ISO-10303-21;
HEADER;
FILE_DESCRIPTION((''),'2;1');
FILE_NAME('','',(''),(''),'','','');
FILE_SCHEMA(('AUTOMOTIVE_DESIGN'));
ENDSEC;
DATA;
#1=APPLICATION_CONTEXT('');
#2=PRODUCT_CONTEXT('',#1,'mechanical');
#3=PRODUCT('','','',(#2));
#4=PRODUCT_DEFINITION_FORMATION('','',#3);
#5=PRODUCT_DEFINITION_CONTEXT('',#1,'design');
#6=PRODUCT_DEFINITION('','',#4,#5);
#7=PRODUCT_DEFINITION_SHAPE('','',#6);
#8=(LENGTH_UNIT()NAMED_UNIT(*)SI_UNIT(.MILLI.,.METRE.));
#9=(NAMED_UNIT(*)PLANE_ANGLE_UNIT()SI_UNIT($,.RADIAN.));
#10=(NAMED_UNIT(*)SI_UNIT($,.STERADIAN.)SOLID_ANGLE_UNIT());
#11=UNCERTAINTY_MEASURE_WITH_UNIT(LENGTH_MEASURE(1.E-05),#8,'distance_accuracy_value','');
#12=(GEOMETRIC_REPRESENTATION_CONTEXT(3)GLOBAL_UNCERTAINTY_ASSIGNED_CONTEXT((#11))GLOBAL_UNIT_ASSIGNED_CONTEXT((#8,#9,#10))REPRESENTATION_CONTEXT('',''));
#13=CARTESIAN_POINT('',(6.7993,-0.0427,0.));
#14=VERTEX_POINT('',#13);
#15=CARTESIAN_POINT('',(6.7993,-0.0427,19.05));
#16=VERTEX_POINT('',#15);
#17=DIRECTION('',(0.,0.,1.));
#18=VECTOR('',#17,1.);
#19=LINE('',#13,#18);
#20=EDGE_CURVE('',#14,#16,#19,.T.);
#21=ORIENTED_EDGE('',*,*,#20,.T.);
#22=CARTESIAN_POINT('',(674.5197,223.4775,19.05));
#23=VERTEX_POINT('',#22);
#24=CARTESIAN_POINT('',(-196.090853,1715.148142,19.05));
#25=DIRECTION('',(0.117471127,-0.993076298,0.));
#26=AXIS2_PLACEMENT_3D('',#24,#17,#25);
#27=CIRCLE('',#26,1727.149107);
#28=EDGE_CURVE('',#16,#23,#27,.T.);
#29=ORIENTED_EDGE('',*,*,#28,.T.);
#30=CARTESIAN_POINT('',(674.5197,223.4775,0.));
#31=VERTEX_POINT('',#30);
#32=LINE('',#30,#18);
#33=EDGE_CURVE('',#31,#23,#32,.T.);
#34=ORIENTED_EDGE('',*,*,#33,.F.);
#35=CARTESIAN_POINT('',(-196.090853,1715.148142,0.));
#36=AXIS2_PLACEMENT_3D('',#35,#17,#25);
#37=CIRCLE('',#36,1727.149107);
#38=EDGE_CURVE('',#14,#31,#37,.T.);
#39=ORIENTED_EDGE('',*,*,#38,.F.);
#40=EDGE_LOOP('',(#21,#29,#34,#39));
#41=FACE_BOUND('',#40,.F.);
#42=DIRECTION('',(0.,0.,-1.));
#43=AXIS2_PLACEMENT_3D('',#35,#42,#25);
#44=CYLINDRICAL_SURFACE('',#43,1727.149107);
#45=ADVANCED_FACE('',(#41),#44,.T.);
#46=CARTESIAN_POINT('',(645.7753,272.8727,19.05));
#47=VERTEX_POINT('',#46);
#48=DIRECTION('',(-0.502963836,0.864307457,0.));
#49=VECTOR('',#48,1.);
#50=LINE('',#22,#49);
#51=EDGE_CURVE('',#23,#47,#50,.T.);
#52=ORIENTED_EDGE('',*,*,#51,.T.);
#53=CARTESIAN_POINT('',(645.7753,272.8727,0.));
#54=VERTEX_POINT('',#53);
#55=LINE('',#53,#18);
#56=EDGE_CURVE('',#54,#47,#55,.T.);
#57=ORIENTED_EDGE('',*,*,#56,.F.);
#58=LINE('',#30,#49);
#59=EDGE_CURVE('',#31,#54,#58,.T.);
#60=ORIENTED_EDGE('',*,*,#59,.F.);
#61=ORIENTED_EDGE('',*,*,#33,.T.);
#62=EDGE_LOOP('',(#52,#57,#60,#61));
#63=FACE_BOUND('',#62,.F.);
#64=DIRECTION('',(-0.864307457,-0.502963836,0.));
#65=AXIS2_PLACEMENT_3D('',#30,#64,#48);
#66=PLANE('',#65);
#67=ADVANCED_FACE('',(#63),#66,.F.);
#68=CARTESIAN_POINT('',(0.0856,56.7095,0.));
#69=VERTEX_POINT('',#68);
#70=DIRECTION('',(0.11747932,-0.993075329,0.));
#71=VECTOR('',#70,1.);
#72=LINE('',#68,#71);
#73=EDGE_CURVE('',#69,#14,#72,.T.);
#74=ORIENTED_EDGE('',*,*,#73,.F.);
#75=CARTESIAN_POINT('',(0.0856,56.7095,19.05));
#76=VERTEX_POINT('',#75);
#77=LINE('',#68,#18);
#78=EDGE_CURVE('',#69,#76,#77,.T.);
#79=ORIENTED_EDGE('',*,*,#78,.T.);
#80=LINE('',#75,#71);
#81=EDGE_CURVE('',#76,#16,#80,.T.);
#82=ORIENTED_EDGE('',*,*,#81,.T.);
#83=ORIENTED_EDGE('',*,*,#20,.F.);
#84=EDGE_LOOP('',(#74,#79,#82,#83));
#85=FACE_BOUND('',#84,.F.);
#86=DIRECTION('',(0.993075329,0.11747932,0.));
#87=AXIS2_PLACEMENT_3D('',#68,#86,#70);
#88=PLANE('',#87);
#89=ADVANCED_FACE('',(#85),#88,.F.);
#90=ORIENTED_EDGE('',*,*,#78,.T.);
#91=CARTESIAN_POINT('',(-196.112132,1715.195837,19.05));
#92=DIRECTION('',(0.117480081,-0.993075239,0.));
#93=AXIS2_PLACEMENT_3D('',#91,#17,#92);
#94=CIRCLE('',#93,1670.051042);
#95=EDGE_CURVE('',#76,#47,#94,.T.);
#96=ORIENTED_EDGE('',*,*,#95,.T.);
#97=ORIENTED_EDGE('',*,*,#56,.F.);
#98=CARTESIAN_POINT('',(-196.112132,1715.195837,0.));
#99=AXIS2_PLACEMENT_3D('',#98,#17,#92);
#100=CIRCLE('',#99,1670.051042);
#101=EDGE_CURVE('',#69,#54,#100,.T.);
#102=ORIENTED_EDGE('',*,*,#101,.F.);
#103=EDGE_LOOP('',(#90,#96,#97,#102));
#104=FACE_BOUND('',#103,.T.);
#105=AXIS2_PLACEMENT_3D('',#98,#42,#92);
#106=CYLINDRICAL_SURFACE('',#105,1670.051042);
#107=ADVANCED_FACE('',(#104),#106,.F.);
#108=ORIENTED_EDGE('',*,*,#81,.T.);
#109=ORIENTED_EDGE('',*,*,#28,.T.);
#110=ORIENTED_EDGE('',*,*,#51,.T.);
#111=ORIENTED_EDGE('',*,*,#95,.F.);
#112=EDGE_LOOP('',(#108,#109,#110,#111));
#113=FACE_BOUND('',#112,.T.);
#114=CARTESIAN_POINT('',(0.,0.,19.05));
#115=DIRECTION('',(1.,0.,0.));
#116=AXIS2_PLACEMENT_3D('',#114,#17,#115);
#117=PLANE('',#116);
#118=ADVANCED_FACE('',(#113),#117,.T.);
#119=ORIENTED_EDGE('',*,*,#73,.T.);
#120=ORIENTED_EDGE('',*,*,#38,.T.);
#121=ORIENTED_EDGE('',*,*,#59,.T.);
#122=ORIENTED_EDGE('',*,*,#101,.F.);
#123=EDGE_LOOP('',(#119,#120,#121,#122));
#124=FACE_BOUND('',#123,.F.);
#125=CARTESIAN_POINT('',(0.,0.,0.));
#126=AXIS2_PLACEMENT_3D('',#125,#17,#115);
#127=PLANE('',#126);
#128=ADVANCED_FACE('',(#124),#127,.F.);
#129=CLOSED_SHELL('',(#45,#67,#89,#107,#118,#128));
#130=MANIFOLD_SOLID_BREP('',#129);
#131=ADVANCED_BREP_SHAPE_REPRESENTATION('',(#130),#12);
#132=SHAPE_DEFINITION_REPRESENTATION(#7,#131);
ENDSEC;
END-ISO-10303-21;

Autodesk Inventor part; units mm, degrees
ref_plane "YZ Plane" through (0, 0, 0) normal (1, 0, 0) x (0, 1, 0)
ref_plane "XZ Plane" through (0, 0, 0) normal (0, 1, 0) x (-1, 0, 0)
ref_plane "XY Plane" through (0, 0, 0) normal (0, 0, 1) x (1, 0, 0)
sketch "Sketch1" plane through (0, 0, 0) normal (0, 0, 1) x (1, 0, 0)
  arc A0 (0.0856, 56.7095) -> (645.7753, 272.8727) centre (-196.1119, 1715.1948) ccw
  line L0 (0.0856, 56.7095) -> (6.7993, -0.0427)
  arc A1 (6.7993, -0.0427) -> (674.5197, 223.4775) centre (-196.091, 1715.1488) ccw
  line L1 (674.5197, 223.4775) -> (645.7753, 272.8727)
  point P0 (0, 0)
extrude "Extrusion1" add sketch "Sketch1" along normal blind 19.05
properties part number "nd-12"
